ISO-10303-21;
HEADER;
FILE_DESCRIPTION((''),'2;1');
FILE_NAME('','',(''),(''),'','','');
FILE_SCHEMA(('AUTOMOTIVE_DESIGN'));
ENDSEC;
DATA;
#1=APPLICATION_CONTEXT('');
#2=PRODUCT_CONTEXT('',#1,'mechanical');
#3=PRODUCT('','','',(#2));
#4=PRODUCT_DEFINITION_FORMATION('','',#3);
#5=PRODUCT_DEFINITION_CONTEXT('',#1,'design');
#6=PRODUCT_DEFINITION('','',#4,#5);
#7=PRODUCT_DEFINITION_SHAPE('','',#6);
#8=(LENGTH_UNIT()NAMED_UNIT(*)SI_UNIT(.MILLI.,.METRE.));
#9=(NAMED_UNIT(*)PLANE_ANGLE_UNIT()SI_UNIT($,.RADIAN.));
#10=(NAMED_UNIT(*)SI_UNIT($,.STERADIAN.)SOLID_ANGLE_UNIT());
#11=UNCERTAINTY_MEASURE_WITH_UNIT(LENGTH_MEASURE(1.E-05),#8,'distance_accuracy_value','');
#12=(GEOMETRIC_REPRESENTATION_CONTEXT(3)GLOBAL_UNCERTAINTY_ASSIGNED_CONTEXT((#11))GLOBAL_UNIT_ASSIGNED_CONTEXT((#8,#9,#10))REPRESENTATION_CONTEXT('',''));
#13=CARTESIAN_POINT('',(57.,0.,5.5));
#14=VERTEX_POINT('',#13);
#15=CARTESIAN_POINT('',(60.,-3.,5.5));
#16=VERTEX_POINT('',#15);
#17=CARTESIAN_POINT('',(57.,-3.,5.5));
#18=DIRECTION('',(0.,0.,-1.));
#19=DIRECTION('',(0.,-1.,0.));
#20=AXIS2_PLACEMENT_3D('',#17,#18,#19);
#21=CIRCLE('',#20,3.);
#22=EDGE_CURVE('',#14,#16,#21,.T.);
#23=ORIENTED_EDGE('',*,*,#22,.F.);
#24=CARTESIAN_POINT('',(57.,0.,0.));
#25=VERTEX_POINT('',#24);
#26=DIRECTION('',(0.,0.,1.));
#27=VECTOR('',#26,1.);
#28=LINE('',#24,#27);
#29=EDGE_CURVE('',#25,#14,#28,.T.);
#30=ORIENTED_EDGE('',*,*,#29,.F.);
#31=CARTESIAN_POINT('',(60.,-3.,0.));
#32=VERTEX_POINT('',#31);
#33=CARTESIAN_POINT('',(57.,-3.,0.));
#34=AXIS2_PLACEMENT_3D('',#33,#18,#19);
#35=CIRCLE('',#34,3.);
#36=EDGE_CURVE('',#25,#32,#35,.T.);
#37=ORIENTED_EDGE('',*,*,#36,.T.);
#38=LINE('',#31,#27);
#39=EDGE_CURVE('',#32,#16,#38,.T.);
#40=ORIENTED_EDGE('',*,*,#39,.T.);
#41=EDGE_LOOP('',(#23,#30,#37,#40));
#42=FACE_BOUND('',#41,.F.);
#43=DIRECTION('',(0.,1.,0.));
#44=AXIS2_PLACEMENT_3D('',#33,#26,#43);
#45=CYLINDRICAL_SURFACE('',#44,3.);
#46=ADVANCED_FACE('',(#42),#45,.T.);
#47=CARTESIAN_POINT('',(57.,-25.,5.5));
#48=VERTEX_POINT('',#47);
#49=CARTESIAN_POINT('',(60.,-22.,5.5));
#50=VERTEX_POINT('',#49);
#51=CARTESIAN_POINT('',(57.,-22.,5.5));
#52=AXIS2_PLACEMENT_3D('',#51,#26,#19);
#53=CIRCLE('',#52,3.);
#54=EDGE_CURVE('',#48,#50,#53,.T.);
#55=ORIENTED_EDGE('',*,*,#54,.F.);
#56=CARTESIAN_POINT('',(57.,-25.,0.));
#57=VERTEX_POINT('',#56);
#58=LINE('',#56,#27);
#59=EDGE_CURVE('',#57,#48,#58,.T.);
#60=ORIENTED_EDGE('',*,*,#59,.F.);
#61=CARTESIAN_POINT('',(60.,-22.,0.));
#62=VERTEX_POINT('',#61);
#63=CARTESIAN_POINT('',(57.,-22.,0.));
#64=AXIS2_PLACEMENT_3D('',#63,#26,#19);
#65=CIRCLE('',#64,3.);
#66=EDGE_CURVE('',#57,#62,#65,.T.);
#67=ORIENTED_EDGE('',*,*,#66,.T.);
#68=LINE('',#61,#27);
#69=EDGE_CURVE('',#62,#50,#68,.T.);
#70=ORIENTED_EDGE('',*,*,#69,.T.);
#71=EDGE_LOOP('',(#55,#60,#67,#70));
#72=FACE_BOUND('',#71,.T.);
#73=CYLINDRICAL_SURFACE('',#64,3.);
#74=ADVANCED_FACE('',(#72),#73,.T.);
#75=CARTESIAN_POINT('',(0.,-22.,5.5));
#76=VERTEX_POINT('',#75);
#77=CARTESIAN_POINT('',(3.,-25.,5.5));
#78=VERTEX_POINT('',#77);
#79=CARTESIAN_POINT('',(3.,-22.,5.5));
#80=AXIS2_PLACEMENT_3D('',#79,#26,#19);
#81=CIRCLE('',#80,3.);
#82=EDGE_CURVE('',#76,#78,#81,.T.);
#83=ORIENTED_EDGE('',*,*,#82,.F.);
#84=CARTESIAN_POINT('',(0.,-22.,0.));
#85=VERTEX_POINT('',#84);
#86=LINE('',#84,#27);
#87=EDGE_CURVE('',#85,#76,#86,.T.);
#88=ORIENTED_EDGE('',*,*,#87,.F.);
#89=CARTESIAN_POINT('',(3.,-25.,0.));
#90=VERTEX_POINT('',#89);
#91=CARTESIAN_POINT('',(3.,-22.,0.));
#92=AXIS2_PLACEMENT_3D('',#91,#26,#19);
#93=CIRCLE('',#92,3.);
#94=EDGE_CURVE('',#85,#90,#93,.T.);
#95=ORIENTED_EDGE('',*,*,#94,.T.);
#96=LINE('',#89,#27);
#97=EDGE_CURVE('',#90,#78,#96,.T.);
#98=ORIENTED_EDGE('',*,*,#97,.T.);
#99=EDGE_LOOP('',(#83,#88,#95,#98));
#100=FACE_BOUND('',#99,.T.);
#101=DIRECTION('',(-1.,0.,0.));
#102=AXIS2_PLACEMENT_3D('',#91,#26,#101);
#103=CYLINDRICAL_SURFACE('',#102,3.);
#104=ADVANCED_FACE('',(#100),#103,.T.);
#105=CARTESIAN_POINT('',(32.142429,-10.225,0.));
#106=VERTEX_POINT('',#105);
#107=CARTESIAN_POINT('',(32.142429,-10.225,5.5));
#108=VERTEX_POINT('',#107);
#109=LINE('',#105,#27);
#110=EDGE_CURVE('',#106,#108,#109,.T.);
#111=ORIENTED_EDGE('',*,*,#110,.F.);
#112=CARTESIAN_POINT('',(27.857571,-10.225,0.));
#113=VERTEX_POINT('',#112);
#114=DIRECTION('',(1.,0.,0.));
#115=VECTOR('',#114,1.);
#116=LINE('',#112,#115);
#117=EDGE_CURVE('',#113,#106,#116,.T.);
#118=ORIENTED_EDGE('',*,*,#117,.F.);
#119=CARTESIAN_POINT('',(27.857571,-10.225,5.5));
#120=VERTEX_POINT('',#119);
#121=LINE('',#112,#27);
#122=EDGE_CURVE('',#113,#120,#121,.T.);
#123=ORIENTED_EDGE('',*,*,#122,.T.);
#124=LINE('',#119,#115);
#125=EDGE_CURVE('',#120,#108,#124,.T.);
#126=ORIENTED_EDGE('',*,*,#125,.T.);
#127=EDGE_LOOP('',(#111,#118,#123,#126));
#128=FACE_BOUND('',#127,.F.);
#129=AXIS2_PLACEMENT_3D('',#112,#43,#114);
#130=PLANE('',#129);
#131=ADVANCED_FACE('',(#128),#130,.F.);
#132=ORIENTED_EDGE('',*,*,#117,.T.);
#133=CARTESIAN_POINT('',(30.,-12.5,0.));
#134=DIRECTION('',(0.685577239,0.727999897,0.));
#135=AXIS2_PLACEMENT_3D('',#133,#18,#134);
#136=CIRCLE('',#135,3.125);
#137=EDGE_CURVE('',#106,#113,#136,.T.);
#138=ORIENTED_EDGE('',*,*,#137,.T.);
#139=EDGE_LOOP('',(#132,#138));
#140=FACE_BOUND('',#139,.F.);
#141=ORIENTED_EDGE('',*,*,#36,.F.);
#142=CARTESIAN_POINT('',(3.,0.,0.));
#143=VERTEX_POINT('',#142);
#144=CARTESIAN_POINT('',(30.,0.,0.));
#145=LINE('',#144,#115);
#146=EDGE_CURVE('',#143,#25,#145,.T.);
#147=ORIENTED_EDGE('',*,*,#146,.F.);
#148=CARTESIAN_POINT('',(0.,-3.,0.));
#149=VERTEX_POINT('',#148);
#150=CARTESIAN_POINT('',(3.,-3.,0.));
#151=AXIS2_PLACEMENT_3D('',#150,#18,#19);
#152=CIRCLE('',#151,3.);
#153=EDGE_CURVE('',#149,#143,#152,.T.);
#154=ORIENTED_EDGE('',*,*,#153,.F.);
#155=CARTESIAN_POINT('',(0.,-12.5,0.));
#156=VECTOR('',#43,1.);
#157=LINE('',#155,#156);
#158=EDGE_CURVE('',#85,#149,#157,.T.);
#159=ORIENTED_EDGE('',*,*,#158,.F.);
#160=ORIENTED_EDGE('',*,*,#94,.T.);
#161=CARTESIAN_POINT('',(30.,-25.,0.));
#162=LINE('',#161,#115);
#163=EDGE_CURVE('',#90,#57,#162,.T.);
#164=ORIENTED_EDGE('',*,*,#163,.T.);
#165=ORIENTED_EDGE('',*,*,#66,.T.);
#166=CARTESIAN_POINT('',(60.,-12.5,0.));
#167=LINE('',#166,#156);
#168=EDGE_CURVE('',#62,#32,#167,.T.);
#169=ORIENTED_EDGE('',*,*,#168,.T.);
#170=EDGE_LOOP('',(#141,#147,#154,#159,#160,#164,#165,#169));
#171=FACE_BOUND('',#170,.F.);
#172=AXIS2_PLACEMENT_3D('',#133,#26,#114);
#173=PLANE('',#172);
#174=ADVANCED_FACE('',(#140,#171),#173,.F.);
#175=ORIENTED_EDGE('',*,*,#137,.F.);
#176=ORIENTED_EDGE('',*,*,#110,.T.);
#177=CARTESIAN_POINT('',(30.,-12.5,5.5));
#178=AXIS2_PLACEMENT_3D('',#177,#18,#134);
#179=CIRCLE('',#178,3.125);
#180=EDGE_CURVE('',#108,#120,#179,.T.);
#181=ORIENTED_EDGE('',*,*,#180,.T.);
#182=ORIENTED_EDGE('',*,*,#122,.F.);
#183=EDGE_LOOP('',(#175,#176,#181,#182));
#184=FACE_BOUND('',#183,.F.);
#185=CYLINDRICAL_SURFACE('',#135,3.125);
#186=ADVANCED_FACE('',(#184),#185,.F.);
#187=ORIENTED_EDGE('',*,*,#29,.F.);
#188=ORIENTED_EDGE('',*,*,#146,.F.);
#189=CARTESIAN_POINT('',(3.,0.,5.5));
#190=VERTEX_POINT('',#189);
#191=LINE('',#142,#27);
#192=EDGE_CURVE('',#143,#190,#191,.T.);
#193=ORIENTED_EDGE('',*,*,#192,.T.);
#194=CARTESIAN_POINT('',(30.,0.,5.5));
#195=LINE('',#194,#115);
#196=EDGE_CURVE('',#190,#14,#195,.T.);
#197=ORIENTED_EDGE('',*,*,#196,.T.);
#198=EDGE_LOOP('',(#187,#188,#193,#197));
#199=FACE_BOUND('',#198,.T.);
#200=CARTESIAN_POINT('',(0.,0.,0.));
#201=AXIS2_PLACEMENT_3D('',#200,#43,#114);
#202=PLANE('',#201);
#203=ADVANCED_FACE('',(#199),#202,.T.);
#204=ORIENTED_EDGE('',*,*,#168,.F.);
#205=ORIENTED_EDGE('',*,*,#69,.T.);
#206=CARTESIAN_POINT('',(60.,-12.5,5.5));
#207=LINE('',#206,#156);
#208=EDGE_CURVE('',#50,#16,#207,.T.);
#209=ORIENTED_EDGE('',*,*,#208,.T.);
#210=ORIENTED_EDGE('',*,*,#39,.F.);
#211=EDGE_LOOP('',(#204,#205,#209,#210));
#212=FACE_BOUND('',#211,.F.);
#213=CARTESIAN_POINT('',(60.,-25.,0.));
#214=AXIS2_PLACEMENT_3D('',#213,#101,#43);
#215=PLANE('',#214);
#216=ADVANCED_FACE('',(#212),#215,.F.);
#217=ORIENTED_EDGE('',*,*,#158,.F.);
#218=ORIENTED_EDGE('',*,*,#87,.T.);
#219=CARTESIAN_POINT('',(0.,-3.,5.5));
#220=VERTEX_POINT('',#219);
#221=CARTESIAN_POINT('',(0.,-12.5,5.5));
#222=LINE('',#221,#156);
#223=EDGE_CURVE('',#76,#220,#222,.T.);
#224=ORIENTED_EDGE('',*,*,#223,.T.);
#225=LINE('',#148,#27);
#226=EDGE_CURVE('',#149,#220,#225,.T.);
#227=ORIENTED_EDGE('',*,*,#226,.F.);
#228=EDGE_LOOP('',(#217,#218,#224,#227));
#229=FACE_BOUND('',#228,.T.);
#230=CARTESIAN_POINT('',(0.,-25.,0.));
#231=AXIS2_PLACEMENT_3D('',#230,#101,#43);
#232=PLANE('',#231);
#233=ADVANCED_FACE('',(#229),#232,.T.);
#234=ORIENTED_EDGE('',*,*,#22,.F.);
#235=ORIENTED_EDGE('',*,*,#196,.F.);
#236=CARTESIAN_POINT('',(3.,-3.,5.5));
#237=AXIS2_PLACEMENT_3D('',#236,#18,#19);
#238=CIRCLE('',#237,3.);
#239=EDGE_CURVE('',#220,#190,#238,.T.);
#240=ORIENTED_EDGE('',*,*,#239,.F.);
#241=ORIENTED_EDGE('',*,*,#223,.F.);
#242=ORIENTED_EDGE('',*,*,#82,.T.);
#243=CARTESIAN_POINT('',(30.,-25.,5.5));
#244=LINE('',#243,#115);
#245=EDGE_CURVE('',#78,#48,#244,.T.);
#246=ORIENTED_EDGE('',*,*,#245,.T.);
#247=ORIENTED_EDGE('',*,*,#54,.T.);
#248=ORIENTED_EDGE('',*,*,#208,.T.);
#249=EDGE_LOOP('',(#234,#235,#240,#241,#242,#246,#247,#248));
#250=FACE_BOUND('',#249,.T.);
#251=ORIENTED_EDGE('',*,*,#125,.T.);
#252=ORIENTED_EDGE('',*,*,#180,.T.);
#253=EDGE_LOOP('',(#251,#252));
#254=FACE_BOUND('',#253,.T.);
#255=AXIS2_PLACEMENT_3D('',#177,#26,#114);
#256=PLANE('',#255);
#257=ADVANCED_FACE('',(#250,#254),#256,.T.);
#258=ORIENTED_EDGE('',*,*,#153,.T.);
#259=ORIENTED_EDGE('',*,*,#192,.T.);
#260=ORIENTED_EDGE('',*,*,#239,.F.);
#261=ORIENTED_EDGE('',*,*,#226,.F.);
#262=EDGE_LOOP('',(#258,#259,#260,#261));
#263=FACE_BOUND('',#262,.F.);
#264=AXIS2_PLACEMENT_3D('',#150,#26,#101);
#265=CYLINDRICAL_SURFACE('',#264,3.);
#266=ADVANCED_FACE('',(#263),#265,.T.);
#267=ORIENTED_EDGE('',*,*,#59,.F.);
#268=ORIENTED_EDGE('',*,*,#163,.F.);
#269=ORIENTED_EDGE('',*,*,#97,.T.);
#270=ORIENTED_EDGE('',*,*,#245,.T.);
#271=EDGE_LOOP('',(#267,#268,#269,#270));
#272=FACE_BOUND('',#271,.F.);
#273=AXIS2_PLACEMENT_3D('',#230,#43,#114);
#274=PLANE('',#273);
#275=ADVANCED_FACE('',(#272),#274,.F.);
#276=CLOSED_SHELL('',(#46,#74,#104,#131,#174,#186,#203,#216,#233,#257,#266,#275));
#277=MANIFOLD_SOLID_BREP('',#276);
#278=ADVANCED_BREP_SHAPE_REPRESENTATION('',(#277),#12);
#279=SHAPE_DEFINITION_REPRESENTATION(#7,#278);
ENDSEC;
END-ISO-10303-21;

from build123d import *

# Parameters (mm, degrees)
F0_W     = 60
F0_H     = 25
F1_DEPTH = 5.5
F2_R     = 3


with BuildPart() as f1:
    # F0 (on Top) → F1 (new body)
    with BuildSketch(Plane.XY):
        with Locations((30, -12.5)):
            Rectangle(F0_W, F0_H)
        with BuildLine():
            ThreePointArc((32.142429, -10.225), (30, -15.625), (27.857571, -10.225))
            Line((27.857571, -10.225), (32.142429, -10.225))
        make_face(mode=Mode.SUBTRACT)
    extrude(amount=F1_DEPTH)

    # F2
    f2_edges = [f1.edges().sort_by_distance(p)[0] for p in [
        (0, -25, 2.75),
        (60, -25, 2.75),
        (60, 0, 2.75),
        (0, 0, 2.75),
    ]]
    fillet(f2_edges, radius=F2_R)


solid = f1.part
